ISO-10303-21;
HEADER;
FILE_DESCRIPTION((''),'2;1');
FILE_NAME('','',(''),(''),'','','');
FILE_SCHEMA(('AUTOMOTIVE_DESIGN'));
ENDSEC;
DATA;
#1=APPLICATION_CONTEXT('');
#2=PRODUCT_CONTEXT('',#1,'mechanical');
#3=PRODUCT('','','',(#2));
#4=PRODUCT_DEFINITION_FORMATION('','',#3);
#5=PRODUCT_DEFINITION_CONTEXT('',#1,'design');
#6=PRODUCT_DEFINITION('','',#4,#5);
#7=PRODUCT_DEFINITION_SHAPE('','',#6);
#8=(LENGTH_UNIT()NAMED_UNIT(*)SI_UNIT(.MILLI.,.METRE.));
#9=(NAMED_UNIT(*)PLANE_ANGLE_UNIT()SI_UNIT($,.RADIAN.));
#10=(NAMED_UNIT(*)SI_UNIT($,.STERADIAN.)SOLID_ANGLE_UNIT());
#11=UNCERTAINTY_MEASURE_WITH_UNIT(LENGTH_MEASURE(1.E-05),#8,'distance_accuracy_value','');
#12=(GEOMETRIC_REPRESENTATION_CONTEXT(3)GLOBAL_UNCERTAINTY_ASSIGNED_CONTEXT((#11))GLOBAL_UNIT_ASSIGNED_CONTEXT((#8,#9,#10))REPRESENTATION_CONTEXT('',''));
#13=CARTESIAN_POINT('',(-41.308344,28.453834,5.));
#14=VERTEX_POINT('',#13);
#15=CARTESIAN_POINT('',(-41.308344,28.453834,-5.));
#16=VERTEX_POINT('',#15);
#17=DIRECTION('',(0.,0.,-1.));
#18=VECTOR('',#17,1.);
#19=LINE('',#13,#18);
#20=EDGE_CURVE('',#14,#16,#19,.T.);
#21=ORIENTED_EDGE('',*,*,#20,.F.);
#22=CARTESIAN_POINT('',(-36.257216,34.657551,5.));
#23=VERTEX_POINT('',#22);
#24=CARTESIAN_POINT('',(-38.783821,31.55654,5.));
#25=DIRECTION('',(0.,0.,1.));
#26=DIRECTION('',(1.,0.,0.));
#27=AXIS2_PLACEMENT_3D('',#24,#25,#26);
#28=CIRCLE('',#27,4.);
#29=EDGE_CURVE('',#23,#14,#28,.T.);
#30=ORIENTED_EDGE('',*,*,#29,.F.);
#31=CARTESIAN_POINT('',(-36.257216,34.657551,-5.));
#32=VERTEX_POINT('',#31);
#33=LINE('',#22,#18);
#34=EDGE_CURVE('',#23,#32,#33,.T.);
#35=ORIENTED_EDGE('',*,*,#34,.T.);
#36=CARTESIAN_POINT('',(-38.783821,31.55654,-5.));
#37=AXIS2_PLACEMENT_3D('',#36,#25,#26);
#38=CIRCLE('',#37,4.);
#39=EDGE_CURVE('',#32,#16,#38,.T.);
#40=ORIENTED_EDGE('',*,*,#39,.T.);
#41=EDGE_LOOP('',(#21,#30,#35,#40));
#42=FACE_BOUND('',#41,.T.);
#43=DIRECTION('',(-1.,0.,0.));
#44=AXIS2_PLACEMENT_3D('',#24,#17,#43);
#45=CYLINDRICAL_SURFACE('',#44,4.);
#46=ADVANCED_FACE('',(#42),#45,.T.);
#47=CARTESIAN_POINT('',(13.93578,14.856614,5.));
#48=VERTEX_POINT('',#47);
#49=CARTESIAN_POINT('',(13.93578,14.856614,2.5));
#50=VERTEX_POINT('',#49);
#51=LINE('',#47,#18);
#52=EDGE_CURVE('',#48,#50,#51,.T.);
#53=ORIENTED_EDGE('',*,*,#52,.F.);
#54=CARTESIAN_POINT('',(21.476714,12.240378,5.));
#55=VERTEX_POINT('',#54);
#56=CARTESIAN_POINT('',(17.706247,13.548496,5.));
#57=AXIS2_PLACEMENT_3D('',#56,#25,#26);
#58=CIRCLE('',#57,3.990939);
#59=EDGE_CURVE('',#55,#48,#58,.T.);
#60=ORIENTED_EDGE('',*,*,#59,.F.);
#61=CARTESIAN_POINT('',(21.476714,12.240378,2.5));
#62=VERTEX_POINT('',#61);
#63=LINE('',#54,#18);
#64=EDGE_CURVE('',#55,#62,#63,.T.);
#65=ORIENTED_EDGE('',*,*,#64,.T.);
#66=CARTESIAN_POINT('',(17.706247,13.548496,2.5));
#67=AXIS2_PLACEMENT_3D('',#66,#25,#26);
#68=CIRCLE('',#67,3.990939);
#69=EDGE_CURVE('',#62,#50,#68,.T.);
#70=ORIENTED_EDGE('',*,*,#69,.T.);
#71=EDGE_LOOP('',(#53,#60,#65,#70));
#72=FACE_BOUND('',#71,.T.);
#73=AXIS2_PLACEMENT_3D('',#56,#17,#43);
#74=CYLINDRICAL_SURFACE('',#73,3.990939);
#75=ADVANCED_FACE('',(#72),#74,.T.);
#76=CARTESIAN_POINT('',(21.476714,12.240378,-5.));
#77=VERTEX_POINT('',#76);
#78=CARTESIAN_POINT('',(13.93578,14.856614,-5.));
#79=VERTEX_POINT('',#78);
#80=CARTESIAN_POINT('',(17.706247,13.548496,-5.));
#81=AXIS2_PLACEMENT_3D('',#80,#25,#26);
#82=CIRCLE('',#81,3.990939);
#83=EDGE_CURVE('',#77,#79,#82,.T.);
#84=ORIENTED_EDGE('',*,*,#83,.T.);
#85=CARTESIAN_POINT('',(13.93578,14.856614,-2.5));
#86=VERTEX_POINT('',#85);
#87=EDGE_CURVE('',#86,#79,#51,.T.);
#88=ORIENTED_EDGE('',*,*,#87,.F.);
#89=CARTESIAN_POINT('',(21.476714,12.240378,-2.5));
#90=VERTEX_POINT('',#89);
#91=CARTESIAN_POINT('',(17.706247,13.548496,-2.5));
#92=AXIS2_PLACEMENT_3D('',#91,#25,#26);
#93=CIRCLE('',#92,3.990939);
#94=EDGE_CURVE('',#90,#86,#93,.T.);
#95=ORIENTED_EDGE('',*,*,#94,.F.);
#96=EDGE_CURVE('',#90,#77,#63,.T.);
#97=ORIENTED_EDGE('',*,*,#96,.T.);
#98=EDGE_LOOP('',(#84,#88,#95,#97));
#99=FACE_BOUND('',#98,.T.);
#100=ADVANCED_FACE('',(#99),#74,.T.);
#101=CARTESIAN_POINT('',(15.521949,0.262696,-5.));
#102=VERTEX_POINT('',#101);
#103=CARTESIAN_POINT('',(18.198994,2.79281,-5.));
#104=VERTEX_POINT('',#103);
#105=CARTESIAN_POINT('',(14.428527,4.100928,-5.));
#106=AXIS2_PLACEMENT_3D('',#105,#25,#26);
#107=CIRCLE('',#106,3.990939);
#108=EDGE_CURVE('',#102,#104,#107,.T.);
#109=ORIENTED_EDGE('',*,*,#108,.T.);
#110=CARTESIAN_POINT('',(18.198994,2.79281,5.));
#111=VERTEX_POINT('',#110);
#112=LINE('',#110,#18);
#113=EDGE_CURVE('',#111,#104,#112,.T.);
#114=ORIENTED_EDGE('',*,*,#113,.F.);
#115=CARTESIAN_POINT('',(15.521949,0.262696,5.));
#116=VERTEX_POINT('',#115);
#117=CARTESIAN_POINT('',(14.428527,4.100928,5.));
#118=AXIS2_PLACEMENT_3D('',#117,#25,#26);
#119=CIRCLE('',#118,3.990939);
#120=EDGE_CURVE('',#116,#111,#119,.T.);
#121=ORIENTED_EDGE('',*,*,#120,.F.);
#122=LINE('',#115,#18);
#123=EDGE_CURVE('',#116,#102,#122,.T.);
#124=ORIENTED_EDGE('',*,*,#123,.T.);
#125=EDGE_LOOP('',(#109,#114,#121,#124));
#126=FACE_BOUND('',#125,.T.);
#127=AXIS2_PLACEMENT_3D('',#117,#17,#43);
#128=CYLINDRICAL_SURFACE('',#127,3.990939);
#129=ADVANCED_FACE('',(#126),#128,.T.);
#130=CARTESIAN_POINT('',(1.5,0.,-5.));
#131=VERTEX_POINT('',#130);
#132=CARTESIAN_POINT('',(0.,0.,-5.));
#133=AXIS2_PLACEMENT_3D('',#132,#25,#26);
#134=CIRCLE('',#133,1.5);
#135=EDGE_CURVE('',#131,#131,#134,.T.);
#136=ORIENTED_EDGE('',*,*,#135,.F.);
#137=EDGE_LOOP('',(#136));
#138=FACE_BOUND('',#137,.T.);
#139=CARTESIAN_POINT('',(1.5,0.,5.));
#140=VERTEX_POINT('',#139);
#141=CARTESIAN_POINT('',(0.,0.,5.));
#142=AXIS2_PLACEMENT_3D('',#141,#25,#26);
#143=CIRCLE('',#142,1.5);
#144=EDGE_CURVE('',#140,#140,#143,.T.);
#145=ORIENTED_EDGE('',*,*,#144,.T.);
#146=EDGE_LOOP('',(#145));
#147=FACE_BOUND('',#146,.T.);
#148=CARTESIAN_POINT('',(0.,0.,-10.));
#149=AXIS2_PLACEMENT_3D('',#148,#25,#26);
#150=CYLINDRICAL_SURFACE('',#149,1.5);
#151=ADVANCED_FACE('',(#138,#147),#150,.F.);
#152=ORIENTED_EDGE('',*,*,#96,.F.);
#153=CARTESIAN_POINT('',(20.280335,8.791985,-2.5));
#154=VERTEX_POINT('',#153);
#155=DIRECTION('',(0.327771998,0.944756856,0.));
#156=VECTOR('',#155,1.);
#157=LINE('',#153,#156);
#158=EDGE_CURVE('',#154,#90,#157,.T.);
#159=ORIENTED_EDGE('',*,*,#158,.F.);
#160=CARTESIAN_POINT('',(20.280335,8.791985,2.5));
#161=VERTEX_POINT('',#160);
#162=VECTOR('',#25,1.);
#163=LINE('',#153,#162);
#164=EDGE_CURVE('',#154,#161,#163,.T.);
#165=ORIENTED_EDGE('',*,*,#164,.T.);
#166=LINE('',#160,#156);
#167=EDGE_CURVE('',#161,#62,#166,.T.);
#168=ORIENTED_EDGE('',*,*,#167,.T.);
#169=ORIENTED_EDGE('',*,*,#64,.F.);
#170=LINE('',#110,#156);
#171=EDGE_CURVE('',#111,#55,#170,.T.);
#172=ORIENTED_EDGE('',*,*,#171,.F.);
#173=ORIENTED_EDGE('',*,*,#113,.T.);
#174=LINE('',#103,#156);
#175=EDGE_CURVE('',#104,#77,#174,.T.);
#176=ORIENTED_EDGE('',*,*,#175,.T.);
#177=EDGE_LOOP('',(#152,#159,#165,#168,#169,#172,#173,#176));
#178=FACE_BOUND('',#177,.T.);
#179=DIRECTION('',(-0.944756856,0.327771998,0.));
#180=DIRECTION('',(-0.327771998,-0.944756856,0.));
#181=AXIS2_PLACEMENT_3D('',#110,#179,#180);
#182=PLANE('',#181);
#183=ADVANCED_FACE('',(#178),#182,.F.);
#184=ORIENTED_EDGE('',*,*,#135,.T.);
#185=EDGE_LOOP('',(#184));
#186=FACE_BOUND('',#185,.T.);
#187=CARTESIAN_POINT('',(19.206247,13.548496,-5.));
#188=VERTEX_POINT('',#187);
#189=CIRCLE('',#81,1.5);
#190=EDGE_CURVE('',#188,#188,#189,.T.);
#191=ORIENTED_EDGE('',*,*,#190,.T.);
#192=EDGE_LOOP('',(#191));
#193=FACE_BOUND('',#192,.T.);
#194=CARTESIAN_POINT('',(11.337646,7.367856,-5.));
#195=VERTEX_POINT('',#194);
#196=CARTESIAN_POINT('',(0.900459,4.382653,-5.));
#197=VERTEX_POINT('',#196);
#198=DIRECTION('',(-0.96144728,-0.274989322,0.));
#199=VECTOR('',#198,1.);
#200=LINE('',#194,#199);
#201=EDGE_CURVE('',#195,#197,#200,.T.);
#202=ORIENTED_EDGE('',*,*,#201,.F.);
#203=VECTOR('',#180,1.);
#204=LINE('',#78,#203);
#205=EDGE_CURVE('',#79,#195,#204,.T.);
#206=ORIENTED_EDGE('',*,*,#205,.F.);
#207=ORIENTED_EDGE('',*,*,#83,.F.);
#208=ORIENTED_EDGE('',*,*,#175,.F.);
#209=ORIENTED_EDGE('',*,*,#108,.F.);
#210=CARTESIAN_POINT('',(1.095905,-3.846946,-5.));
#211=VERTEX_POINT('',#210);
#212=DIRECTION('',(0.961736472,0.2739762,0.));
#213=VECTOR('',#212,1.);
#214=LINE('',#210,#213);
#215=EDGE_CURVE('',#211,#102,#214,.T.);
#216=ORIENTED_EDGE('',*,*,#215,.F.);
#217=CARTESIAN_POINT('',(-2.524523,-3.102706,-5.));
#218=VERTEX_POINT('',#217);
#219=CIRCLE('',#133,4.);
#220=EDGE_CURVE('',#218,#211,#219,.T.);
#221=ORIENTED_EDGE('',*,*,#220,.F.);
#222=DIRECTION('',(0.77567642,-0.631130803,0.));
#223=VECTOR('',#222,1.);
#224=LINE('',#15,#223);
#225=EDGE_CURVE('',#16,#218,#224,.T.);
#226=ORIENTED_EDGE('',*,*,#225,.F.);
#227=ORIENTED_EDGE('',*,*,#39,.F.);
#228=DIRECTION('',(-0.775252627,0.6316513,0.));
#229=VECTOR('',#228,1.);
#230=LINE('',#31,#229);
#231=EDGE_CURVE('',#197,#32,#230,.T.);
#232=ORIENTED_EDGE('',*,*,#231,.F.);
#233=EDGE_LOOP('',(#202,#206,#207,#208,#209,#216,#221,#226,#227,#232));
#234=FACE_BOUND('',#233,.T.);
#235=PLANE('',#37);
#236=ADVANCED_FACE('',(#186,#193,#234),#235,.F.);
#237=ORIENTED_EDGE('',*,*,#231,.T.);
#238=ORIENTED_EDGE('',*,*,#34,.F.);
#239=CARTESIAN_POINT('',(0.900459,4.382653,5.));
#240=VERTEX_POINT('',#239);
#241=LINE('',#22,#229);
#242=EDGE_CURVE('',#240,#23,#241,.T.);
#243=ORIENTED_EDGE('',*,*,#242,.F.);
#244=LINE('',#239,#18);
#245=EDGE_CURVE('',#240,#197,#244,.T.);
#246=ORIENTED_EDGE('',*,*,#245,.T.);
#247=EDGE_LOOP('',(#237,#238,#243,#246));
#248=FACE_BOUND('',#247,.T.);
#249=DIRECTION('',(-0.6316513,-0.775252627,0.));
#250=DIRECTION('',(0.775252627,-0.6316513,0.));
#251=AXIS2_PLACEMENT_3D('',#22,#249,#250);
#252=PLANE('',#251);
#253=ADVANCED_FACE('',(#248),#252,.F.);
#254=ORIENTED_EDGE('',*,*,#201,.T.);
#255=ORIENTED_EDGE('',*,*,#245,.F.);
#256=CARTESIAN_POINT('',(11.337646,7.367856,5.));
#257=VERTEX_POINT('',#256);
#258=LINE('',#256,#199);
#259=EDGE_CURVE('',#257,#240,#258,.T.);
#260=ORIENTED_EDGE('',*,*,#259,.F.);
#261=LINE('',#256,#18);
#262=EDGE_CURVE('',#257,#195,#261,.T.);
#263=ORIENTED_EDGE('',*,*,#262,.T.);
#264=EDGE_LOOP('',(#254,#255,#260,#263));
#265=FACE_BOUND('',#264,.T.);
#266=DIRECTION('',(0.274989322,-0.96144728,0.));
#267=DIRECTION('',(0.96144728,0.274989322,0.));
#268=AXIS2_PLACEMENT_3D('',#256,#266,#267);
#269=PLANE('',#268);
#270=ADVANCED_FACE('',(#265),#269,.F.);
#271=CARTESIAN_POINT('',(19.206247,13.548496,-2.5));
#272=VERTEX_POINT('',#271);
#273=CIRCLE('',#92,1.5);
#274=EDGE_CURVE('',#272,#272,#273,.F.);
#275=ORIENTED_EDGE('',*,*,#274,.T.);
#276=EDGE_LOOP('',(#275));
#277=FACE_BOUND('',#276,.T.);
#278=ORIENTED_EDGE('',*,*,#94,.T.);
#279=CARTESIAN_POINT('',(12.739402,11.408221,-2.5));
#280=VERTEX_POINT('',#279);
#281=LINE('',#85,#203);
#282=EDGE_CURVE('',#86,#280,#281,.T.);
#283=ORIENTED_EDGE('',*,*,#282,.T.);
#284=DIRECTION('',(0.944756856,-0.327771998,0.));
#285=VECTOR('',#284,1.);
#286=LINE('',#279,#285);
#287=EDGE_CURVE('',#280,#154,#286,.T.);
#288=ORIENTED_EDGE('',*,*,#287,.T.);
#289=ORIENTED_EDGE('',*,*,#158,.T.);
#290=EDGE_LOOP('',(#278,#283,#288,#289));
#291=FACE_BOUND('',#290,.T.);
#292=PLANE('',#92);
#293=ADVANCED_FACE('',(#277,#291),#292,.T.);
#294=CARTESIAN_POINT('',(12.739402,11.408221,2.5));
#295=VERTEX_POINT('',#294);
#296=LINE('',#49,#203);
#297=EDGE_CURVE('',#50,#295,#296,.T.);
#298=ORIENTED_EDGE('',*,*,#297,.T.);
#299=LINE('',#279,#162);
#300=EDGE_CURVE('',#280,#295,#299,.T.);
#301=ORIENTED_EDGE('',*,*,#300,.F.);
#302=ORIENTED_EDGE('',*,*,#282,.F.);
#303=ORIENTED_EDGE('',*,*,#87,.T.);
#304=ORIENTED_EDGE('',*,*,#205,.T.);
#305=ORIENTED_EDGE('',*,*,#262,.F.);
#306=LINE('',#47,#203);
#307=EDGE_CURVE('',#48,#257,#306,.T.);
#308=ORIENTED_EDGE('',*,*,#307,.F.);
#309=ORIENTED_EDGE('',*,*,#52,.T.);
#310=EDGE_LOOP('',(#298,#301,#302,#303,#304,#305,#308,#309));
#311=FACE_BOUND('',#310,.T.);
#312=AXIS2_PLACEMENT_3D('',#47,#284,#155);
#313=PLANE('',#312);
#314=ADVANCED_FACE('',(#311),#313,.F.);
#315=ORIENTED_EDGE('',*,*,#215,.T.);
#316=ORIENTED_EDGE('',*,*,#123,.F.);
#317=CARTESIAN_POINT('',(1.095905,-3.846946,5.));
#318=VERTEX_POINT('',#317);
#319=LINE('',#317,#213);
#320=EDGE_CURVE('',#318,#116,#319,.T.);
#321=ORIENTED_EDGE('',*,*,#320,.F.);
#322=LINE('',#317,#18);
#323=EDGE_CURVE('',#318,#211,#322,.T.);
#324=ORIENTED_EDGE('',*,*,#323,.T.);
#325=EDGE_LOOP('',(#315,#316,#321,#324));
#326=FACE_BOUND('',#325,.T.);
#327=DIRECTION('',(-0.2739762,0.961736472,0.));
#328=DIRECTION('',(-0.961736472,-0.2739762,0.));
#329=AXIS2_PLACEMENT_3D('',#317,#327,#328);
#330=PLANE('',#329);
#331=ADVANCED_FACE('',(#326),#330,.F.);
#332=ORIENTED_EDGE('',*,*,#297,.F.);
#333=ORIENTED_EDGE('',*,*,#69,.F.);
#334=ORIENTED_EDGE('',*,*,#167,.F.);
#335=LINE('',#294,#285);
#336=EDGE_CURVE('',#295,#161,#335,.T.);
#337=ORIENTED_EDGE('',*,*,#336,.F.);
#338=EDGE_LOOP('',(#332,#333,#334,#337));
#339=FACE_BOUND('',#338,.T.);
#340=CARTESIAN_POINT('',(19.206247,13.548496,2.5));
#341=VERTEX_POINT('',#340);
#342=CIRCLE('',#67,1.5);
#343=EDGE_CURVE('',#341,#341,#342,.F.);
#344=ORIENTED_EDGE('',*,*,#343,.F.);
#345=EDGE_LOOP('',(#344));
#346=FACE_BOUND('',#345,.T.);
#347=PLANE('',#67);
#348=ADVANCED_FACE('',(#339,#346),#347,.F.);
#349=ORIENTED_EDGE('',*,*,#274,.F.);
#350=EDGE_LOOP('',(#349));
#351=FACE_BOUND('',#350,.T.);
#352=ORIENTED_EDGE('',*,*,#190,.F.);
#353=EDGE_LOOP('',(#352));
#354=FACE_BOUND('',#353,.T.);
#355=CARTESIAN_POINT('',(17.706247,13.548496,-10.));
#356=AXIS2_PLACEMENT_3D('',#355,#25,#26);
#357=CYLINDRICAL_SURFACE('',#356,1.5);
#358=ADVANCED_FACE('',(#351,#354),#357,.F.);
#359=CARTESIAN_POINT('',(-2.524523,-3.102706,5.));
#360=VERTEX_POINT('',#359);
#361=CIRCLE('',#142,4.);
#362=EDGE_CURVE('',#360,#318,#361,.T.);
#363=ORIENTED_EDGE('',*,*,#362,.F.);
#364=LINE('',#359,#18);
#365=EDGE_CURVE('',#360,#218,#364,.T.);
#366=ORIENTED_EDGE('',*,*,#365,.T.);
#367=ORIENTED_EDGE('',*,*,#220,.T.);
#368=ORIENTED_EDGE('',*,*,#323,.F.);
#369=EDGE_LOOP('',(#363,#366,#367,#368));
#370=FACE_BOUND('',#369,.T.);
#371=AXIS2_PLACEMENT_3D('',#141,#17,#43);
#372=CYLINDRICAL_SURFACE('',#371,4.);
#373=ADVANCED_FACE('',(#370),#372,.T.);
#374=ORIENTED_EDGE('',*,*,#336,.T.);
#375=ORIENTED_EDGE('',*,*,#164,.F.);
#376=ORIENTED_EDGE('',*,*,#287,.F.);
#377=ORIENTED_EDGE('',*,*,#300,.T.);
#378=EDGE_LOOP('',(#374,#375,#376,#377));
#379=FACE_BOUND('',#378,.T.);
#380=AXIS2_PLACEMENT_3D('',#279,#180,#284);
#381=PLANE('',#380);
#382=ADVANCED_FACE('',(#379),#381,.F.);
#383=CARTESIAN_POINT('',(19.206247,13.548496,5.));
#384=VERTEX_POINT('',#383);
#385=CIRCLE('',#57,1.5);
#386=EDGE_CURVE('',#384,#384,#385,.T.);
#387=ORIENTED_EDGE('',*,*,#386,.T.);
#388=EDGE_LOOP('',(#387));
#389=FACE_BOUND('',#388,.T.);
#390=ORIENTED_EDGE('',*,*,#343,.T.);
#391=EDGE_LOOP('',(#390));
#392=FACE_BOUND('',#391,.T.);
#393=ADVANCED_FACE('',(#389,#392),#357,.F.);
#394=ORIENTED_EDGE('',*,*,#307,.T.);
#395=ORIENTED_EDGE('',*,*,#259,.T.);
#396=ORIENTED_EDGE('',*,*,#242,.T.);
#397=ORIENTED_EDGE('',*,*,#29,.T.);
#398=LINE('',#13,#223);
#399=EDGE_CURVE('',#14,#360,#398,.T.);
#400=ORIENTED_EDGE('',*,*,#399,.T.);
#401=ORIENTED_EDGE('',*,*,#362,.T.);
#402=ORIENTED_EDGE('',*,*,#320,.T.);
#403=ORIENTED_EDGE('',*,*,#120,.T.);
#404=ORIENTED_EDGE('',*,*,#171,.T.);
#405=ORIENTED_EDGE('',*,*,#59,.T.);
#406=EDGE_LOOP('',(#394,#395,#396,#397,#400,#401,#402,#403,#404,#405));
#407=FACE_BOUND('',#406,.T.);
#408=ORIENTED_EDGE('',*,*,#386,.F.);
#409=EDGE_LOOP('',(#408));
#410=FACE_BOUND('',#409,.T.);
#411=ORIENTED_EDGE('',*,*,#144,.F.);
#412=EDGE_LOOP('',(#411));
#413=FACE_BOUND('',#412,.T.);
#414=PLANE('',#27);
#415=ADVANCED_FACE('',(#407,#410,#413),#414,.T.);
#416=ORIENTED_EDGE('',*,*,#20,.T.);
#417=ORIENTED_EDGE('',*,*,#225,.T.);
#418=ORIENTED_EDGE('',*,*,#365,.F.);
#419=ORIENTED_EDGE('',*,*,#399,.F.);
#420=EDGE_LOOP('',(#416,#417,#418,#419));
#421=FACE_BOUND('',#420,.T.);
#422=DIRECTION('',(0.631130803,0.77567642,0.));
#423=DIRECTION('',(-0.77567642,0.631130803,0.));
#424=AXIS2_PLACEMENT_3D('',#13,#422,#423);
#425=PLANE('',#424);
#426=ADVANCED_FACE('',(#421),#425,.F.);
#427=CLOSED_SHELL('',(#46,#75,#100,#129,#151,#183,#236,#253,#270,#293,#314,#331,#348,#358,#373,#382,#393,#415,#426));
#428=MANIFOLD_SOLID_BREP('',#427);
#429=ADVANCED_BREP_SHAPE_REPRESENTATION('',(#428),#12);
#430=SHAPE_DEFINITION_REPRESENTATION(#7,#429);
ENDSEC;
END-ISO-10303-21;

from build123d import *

# Parameters (mm, degrees)
Y_KSEKLIK_EKSTR_ZYON1_DEPTH = 5
IZIM2_R                     = 1.5
KES_EKSTR_ZYON1_DEPTH       = 15
KES_EKSTR_ZYON2_DEPTH       = 2.5


with BuildPart() as part:
    # Çizim1 → Yükseklik-Ekstrüzyon1 (new, symmetric)
    with BuildSketch(Plane.XY):
        with BuildLine():
            Line((-41.30834423, 28.453834486), (-2.524523213, -3.102705681))
            ThreePointArc((-2.524523213, -3.102705681), (-0.805425984, -3.9180721), (1.095904798, -3.846945889))
            Line((1.095904798, -3.846945889), (15.52194925, 0.262696355))
            ThreePointArc((15.52194925, 0.262696355), (17.169826346, 1.200432935), (18.198993637, 2.792809619))
            Line((18.198993637, 2.792809619), (21.476713619, 12.240378181))
            ThreePointArc((21.476713619, 12.240378181), (19.014364959, 17.318962653), (13.935780486, 14.856613993))
            Line((13.935780486, 14.856613993), (11.337646141, 7.367855803))
            Line((11.337646141, 7.367855803), (0.900459327, 4.382653193))
            Line((0.900459327, 4.382653193), (-36.257215818, 34.657550675))
            ThreePointArc((-36.257215818, 34.657550675), (-41.885679286, 34.082104516), (-41.30834423, 28.453834486))
        make_face()
    extrude(amount=Y_KSEKLIK_EKSTR_ZYON1_DEPTH, both=True)

    # Çizim2 → Kes-Ekstrüzyon1 (cut)
    with BuildSketch(Plane.XY.offset(5)):
        with Locations((17.706247053, 13.548496087)):
            Circle(IZIM2_R)
        Circle(IZIM2_R)
    extrude(amount=-KES_EKSTR_ZYON1_DEPTH, mode=Mode.SUBTRACT)

    # Çizim3 → Kes-Ekstrüzyon2 (cut, symmetric)
    with BuildSketch(Plane.XY):
        with BuildLine():
            Line((12.739401972, 11.408220568), (20.280335105, 8.791984755))
            Line((20.280335105, 8.791984755), (21.476713619, 12.240378181))
            ThreePointArc((21.476713619, 12.240378181), (19.014364959, 17.318962653), (13.935780486, 14.856613993))
            Line((13.935780486, 14.856613993), (12.739401972, 11.408220568))
        make_face()
    extrude(amount=KES_EKSTR_ZYON2_DEPTH, both=True, mode=Mode.SUBTRACT)


solid = part.part
